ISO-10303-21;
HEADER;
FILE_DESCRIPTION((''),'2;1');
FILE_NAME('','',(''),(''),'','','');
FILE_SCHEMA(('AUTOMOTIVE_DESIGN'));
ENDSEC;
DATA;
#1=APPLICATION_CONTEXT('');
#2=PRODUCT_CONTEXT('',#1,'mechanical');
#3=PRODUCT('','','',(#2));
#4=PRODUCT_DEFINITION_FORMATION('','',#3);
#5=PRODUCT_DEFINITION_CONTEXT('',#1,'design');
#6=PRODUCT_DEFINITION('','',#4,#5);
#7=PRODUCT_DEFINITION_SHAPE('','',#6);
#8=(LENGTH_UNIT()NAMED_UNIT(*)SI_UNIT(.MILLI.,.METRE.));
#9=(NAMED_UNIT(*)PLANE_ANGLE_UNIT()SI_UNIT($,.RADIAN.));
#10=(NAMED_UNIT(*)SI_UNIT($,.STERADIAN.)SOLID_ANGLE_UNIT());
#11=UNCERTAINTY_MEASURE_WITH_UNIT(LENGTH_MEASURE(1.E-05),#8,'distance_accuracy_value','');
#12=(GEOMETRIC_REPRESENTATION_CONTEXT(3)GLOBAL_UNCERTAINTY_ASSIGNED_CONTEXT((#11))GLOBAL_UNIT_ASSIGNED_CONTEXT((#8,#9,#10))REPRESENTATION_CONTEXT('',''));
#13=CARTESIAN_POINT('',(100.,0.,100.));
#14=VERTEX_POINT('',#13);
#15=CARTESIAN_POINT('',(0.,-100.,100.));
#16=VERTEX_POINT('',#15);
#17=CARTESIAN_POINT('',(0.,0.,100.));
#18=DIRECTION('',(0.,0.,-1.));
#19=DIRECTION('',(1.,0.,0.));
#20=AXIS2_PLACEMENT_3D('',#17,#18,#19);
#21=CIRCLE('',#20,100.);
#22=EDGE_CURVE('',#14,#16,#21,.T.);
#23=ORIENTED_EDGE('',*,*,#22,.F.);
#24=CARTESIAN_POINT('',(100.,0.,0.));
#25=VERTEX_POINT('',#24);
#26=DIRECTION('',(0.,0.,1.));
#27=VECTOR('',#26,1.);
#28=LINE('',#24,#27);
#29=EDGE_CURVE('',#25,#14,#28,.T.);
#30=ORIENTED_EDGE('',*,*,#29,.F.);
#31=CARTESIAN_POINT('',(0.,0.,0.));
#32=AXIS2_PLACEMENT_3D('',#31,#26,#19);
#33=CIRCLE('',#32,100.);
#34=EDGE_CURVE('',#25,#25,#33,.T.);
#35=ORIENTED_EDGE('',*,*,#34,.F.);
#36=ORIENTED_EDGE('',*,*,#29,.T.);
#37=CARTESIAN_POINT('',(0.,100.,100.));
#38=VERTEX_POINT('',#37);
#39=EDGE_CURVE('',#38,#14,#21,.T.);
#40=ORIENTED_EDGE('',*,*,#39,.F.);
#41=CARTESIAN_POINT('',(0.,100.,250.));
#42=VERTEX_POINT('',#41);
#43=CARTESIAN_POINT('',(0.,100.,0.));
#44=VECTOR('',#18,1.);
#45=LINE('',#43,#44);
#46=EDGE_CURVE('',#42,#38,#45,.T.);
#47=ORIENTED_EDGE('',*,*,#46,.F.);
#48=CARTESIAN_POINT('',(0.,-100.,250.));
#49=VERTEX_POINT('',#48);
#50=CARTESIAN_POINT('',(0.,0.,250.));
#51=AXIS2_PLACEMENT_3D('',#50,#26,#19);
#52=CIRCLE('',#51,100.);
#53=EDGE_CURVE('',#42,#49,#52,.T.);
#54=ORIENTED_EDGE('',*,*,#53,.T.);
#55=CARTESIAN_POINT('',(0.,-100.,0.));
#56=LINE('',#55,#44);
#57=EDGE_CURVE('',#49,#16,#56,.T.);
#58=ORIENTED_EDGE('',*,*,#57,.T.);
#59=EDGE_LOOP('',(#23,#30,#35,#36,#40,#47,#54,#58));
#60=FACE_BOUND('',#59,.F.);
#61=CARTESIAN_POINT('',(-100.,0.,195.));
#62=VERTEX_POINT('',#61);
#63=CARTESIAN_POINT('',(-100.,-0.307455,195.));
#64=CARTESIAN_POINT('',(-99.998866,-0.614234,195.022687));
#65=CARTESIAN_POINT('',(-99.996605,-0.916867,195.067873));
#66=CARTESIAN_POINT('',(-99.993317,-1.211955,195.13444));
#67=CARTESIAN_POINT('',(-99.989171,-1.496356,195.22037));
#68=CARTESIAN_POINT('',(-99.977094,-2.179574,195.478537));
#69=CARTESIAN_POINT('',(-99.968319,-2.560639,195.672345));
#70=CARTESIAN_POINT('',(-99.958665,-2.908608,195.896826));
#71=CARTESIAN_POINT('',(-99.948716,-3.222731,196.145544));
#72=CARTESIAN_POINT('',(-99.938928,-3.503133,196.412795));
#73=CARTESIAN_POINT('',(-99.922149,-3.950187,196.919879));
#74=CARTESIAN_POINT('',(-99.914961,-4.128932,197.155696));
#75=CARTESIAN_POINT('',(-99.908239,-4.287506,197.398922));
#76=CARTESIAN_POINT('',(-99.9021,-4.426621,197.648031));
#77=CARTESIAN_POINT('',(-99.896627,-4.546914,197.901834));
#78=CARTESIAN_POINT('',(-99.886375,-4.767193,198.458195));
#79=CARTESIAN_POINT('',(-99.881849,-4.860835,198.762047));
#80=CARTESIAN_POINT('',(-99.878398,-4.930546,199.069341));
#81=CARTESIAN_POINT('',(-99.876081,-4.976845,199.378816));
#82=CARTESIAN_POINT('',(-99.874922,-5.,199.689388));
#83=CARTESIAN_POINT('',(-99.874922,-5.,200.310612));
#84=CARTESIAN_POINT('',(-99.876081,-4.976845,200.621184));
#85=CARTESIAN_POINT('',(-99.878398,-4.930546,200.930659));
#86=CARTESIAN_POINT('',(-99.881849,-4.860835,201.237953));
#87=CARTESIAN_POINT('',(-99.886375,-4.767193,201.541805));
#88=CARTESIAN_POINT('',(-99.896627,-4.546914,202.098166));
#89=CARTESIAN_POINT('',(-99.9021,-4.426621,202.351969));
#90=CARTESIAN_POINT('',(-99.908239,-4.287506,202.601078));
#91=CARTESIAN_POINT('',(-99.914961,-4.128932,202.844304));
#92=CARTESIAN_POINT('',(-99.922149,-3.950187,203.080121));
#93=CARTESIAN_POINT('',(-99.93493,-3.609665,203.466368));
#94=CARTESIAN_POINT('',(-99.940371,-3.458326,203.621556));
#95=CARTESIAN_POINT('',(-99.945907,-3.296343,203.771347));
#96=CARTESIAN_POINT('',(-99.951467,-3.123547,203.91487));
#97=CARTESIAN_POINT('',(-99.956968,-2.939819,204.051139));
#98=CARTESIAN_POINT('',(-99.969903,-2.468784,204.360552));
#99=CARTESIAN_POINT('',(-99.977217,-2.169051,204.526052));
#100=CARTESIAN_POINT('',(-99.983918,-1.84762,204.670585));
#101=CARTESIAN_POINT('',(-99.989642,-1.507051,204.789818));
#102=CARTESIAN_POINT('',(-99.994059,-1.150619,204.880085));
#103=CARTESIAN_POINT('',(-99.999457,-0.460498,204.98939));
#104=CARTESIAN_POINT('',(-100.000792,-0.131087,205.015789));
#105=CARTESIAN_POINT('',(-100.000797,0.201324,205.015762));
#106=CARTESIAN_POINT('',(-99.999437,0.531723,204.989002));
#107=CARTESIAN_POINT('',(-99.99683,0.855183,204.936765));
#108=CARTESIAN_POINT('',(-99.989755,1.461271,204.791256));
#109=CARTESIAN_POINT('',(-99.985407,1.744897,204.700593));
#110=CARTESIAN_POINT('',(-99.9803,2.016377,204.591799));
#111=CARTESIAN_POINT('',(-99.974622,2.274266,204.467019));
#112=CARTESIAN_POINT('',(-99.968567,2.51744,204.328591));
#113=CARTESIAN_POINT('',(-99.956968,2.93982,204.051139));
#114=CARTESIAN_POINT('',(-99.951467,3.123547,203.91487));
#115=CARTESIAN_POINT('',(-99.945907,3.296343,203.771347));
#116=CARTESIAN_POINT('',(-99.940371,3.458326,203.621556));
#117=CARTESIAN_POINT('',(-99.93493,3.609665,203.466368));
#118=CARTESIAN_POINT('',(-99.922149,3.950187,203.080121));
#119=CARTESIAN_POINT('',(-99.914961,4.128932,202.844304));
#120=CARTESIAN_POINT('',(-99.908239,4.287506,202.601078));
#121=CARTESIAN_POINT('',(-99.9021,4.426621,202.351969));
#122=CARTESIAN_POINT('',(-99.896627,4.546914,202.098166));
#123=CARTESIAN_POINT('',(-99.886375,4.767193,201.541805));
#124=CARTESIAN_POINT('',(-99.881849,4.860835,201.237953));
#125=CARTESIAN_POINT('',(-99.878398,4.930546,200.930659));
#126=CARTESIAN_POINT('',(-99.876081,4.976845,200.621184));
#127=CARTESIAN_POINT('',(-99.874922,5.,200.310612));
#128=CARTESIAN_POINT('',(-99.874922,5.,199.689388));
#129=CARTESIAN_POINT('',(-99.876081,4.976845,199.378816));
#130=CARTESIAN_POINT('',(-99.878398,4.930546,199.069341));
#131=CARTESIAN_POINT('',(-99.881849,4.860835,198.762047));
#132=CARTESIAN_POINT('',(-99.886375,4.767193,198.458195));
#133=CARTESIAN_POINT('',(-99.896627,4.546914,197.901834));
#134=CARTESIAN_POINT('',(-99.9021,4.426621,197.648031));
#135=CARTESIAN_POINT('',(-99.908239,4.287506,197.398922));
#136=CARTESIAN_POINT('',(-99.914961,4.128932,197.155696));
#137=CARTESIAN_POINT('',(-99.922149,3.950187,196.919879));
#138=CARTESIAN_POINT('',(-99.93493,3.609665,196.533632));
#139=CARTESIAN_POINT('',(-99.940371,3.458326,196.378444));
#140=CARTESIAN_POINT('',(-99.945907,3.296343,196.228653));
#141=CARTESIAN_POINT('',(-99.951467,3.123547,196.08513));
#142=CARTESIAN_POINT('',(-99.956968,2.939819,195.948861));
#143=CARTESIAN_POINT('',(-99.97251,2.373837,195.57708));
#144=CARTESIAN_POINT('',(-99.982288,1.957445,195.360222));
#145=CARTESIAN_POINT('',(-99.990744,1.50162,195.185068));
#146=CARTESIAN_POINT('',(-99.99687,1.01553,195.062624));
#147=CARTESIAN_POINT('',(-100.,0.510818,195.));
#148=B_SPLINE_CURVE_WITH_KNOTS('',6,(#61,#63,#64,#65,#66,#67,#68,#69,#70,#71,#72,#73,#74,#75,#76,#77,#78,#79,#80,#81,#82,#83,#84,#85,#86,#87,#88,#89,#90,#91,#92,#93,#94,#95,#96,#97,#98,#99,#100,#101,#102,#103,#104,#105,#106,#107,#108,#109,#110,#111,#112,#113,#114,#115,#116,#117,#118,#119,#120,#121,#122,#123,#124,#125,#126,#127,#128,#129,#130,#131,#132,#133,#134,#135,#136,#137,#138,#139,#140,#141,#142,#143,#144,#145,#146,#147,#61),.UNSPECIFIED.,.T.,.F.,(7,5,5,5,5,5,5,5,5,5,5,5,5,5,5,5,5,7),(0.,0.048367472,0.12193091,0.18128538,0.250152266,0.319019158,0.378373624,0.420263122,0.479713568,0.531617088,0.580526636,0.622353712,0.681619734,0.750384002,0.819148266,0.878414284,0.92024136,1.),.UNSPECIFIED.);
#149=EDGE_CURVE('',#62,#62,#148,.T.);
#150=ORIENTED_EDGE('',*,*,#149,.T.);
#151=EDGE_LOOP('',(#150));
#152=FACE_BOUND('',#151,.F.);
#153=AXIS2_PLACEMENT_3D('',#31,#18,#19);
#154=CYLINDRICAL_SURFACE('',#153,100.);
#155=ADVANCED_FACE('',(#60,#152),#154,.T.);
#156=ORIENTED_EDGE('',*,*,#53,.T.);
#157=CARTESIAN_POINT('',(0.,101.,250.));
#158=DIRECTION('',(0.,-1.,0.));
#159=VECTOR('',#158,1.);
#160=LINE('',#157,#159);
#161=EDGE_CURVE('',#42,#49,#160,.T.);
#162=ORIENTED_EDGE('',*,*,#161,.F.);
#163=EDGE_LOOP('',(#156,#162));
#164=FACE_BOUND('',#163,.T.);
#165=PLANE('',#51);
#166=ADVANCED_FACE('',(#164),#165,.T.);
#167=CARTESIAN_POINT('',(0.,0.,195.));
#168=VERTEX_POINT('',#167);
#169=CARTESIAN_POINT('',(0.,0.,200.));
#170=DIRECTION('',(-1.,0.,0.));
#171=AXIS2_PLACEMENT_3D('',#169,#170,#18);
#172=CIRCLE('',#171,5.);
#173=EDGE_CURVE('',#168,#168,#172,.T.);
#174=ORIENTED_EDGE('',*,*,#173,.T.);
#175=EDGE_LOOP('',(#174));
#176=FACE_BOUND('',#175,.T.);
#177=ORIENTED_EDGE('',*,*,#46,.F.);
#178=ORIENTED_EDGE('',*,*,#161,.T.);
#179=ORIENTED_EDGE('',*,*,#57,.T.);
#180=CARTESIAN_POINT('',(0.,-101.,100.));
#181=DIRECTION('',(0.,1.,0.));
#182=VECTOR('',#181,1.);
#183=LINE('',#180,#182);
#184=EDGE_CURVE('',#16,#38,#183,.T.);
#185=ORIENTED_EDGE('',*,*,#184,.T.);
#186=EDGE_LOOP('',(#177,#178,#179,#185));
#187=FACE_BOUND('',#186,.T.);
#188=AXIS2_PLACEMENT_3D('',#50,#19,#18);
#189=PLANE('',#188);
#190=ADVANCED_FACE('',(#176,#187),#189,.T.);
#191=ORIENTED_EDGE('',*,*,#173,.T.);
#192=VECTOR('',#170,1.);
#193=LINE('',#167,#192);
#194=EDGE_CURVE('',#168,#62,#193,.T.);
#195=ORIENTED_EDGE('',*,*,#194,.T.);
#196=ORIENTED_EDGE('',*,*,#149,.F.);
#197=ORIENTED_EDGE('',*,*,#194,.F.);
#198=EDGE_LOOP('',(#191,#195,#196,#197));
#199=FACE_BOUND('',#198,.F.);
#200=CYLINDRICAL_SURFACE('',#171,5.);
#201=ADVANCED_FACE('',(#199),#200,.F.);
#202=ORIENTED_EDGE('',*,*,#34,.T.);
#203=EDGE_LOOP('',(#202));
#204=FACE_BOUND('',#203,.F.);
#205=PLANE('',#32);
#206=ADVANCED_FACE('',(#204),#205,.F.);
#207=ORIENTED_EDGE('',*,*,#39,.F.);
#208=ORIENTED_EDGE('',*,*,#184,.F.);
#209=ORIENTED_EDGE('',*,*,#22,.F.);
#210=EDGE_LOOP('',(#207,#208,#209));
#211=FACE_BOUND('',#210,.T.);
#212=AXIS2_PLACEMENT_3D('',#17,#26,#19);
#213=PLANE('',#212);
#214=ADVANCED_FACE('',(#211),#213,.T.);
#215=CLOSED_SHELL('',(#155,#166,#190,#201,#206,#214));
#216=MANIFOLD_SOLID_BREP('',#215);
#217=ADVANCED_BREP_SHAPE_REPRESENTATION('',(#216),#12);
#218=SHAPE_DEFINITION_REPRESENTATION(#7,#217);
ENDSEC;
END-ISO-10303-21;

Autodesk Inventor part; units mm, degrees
ref_plane "YZ Plane" through (0, 0, 0) normal (1, 0, 0) x (0, 1, 0)
ref_plane "XZ Plane" through (0, 0, 0) normal (0, 1, 0) x (-1, 0, 0)
ref_plane "XY Plane" through (0, 0, 0) normal (0, 0, 1) x (1, 0, 0)
sketch "Sketch1" plane through (0, 0, 0) normal (0, 0, 1) x (1, 0, 0)
  circle A0 centre (0, 0) radius 100
  dimension "d0" = 200
extrude "Extrusion1" add sketch "Sketch1" along normal blind 250
sketch "Sketch2" plane through (0, 0, 250) normal (0, 0, 1) x (1, 0, 0)
  circle A0 centre (0, 0) radius 100 projected
  line L0 (-100, 50) -> (-100, -50) construction
  dimension "d3" = 100
  dimension "d4" = 50
ref_plane "Work Plane1" through (0, 0, 250) normal (0, -1, 0) x (1, 0, 0)
sketch "Sketch3" plane through (0, 0, 250) normal (0, -1, 0) x (1, 0, 0)
  line L0 (100, 0) -> (-100, 0) projected
  line L1 (100, 0) -> (0, 0)
  line L2 (0, 0) -> (0, -150)
  line L3 (0, -150) -> (100, -150)
  line L4 (100, -150) -> (100, 0)
  point P0 (0, -250)
  point P1 (0, 0)
  dimension "d6" = 150
  dimension "d17" = 100
extrude "Extrusion2" cut sketch "Sketch3" along normal through all both and the other way through all
sketch "Sketch4" plane through (0, -50, 125) normal (1, 0, 0) x (0, 0, -1)
  circle A0 centre (-75, 50) radius 5
  line L0 (-125, -50) -> (-125, 150) projected
  point P0 (125, 50)
  dimension "d9" = 10
  dimension "d18" = 50
hole "Hole1" at (0, 0, 200) direction (-1, 0, 0) diameter 10 end through all
equation "\"d4\" = 0.5 * d3"
equation "\"d18\" = 0.5 * d3"
properties part number "link1"
